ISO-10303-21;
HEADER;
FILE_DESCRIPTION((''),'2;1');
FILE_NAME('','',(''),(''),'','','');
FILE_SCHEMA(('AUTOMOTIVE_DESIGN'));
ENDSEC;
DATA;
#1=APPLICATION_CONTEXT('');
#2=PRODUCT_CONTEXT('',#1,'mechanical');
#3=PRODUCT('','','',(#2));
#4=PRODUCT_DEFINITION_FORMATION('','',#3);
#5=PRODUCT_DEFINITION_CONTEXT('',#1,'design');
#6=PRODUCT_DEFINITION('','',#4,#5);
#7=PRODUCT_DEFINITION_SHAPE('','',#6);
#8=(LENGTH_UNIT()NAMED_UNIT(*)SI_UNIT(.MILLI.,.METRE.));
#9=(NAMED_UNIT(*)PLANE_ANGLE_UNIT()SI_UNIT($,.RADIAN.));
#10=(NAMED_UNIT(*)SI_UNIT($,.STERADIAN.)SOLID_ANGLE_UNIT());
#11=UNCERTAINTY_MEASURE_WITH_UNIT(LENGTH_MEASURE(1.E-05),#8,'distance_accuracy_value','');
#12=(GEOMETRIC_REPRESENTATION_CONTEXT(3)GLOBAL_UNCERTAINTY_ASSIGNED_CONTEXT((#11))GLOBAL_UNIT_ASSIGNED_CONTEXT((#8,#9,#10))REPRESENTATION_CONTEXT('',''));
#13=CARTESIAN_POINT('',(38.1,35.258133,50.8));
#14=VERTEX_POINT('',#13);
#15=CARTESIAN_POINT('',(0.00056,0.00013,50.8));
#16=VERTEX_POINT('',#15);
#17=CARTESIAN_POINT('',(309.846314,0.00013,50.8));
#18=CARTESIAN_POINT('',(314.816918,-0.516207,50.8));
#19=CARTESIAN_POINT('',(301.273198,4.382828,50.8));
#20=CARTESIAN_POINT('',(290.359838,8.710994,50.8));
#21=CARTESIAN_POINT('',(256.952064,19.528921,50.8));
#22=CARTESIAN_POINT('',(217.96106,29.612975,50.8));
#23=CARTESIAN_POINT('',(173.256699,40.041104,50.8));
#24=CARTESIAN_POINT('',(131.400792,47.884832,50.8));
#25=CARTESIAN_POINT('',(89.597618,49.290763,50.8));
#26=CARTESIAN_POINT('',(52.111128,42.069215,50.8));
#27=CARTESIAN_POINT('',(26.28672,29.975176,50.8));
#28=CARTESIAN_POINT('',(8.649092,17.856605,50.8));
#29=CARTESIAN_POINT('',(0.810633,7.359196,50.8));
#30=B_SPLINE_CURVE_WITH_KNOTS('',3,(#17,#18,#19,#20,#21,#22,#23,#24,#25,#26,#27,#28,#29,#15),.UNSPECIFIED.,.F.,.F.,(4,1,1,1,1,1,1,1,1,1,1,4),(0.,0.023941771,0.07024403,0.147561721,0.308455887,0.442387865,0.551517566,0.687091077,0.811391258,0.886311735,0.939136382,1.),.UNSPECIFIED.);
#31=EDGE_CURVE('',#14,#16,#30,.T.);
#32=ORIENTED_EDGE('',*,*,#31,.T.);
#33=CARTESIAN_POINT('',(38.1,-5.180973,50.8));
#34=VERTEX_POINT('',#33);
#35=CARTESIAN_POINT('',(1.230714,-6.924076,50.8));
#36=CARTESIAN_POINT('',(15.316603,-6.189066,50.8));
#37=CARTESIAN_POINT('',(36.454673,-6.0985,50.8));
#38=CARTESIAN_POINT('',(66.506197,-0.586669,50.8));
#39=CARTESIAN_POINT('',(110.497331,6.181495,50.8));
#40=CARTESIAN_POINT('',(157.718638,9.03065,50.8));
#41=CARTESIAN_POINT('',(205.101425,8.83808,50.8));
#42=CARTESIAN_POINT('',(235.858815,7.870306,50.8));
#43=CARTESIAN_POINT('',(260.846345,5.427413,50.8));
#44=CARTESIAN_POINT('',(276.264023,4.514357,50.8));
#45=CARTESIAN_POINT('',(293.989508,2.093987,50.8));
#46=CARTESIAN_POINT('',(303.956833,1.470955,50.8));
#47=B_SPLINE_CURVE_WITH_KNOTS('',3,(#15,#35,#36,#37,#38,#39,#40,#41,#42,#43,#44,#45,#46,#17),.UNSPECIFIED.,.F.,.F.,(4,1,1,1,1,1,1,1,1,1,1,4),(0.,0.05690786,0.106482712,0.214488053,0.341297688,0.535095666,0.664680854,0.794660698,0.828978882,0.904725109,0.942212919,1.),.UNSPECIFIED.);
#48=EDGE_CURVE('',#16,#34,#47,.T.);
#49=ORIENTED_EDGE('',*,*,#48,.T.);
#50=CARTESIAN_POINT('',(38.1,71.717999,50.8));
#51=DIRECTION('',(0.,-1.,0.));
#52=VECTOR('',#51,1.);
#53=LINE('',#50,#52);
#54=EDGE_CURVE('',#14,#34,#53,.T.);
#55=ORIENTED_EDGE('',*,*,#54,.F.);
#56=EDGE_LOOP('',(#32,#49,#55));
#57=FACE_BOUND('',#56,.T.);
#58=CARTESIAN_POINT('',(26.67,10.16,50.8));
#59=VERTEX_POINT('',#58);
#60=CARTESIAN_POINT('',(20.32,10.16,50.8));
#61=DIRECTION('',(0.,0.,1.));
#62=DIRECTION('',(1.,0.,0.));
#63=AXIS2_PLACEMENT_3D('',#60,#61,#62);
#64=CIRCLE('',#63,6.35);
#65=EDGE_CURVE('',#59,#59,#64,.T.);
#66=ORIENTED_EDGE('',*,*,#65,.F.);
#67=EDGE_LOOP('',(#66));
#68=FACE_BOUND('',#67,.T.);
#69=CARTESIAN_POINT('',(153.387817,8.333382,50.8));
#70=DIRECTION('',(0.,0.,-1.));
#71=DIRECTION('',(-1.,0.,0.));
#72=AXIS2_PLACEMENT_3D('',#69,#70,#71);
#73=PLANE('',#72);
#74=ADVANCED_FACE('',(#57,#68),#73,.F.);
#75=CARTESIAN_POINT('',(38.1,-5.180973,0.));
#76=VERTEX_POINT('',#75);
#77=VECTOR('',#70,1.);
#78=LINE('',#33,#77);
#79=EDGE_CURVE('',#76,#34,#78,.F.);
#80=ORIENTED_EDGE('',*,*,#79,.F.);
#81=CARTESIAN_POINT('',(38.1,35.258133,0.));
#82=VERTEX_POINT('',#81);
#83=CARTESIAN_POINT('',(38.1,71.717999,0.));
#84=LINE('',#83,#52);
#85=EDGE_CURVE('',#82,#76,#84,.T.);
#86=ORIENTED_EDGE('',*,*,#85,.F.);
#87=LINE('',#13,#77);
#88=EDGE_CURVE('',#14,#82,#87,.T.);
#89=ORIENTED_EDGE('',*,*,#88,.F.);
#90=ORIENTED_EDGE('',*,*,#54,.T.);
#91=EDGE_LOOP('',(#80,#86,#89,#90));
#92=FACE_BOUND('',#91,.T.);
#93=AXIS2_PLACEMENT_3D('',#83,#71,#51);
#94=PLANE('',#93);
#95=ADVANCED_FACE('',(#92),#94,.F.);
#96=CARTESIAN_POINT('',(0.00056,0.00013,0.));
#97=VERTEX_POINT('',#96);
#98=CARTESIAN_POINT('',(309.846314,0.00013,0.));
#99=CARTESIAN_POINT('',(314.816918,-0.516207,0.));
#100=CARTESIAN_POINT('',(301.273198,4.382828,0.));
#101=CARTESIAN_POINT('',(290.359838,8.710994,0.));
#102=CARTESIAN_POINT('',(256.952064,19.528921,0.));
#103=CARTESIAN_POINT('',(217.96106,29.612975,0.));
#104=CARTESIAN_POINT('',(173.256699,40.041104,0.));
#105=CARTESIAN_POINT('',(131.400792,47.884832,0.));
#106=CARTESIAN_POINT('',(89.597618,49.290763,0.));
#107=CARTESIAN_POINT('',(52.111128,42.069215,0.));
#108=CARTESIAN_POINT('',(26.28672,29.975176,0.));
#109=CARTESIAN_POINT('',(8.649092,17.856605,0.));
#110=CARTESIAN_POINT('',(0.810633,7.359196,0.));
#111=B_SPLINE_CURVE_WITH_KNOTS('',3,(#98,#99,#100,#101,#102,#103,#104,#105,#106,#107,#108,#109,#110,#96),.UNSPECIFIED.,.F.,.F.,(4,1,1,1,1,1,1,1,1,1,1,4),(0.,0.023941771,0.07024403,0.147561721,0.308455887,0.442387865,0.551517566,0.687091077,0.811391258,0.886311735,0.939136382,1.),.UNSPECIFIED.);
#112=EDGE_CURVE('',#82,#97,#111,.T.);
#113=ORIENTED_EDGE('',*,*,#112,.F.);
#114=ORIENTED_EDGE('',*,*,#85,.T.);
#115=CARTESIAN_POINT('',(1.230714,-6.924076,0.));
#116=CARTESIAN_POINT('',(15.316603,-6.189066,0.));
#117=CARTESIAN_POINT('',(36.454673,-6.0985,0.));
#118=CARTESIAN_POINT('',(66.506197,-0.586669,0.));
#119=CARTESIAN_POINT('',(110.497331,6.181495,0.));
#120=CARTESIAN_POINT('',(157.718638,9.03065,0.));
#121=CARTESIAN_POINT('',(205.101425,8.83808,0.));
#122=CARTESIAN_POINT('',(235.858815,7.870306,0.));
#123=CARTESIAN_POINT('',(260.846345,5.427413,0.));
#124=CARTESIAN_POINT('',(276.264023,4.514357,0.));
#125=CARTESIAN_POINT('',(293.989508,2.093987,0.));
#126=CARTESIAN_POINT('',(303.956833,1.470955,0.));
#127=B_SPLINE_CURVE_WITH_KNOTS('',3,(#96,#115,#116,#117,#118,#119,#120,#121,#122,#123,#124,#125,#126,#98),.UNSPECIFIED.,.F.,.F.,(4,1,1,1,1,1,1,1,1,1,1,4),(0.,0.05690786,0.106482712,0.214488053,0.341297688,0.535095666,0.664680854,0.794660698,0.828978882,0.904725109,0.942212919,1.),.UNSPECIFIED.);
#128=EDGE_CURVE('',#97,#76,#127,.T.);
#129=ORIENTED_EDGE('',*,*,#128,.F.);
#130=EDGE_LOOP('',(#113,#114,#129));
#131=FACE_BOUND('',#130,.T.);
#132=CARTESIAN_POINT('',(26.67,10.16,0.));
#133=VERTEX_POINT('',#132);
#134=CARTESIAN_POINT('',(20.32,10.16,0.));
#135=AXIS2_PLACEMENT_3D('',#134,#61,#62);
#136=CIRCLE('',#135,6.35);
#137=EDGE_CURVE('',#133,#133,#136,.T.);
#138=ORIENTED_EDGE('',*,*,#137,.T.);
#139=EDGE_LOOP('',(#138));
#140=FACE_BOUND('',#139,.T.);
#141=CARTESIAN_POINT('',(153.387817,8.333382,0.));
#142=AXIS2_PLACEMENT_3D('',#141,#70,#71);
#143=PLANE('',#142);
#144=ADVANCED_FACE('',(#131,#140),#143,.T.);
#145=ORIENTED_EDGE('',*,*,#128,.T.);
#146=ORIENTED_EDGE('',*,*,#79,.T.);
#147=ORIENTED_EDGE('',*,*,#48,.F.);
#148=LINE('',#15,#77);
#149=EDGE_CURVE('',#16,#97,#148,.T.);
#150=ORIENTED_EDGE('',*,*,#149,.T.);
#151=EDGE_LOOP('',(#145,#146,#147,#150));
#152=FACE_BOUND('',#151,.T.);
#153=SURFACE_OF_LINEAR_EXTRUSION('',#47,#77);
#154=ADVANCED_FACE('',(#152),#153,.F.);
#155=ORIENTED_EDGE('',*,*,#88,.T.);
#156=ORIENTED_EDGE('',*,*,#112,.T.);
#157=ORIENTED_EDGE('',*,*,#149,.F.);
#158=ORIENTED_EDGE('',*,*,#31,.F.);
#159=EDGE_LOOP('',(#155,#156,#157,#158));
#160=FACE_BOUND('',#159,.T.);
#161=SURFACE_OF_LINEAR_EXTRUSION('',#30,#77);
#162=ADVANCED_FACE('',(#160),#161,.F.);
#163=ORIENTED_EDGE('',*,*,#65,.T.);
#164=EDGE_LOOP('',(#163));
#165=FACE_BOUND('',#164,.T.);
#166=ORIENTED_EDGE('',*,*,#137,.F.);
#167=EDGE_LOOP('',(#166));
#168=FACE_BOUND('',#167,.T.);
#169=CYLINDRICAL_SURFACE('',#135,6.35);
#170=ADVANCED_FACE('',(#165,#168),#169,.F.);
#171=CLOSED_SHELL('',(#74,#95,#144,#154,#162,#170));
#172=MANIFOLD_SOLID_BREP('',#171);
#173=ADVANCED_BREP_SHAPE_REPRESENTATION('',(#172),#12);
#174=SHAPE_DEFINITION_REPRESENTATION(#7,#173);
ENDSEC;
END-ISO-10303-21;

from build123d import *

# Parameters (mm, degrees)
BOSS_EXTRUDE1_DEPTH = 50.8
SKETCH2_R           = 6.35
SKETCH2_R_2         = 3.175
CUT_EXTRUDE1_DEPTH  = 320.788688435
SKETCH3_W           = 293.188888759
SKETCH3_H           = 137.971241769
CUT_EXTRUDE2_DEPTH  = 320.788688435


with BuildPart() as part:
    # Sketch1 → Boss-Extrude1 (new body)
    with BuildSketch(Plane.XY):
        with BuildLine():
            add(Edge.make_bspline(
                [(0.000560351, 0.000130087), (0.810633127, 7.359196055), (8.649092025, 17.856605174), (26.286719818, 29.975176328), (52.111128271, 42.069215275), (89.597618475, 49.290763054), (131.400792109, 47.884831915), (173.256699242, 40.041104278), (217.961060472, 29.612974894), (256.952064401, 19.528920948), (290.35983767, 8.71099439), (301.273197721, 4.382828139), (314.816918223, -0.516206742), (309.846313895, 0.000130087)],
                knots=[0, 0, 0, 0, 0.060863618, 0.113688265, 0.188608742, 0.312908923, 0.448482434, 0.557612135, 0.691544113, 0.852438279, 0.92975597, 0.976058229, 1, 1, 1, 1], degree=3))
            add(Edge.make_bspline(
                [(309.846313895, 0.000130087), (303.956832565, 1.47095521), (293.989507544, 2.093987313), (276.26402299, 4.514356704), (260.846344817, 5.427413394), (235.858814759, 7.870306192), (205.101424636, 8.838080282), (157.718638092, 9.030650149), (110.497331172, 6.181495223), (66.506197185, -0.586669107), (36.454672816, -6.098499901), (15.316603331, -6.189065841), (1.230714189, -6.924076091), (0.000560351, 0.000130087)],
                knots=[0, 0, 0, 0, 0.057787081, 0.095274891, 0.171021118, 0.205339302, 0.335319146, 0.464904334, 0.658702312, 0.785511947, 0.893517288, 0.94309214, 1, 1, 1, 1], degree=3))
        make_face()
    extrude(amount=BOSS_EXTRUDE1_DEPTH)

    # Sketch2 → Cut-Extrude1 (cut, through all)
    with BuildSketch(Plane.XY.offset(50.8)):
        with Locations((20.32, 10.16)):
            Circle(SKETCH2_R)
        with Locations((227.296313895, 19.050130087)):
            Circle(SKETCH2_R_2)
    extrude(amount=-CUT_EXTRUDE1_DEPTH, mode=Mode.SUBTRACT)

    # Sketch3 → Cut-Extrude2 (cut, through all)
    with BuildSketch(Plane.XY.offset(50.8)):
        with Locations((184.69444438, 2.732377951)):
            Rectangle(SKETCH3_W, SKETCH3_H)
    extrude(amount=-CUT_EXTRUDE2_DEPTH, mode=Mode.SUBTRACT)


solid = part.part
